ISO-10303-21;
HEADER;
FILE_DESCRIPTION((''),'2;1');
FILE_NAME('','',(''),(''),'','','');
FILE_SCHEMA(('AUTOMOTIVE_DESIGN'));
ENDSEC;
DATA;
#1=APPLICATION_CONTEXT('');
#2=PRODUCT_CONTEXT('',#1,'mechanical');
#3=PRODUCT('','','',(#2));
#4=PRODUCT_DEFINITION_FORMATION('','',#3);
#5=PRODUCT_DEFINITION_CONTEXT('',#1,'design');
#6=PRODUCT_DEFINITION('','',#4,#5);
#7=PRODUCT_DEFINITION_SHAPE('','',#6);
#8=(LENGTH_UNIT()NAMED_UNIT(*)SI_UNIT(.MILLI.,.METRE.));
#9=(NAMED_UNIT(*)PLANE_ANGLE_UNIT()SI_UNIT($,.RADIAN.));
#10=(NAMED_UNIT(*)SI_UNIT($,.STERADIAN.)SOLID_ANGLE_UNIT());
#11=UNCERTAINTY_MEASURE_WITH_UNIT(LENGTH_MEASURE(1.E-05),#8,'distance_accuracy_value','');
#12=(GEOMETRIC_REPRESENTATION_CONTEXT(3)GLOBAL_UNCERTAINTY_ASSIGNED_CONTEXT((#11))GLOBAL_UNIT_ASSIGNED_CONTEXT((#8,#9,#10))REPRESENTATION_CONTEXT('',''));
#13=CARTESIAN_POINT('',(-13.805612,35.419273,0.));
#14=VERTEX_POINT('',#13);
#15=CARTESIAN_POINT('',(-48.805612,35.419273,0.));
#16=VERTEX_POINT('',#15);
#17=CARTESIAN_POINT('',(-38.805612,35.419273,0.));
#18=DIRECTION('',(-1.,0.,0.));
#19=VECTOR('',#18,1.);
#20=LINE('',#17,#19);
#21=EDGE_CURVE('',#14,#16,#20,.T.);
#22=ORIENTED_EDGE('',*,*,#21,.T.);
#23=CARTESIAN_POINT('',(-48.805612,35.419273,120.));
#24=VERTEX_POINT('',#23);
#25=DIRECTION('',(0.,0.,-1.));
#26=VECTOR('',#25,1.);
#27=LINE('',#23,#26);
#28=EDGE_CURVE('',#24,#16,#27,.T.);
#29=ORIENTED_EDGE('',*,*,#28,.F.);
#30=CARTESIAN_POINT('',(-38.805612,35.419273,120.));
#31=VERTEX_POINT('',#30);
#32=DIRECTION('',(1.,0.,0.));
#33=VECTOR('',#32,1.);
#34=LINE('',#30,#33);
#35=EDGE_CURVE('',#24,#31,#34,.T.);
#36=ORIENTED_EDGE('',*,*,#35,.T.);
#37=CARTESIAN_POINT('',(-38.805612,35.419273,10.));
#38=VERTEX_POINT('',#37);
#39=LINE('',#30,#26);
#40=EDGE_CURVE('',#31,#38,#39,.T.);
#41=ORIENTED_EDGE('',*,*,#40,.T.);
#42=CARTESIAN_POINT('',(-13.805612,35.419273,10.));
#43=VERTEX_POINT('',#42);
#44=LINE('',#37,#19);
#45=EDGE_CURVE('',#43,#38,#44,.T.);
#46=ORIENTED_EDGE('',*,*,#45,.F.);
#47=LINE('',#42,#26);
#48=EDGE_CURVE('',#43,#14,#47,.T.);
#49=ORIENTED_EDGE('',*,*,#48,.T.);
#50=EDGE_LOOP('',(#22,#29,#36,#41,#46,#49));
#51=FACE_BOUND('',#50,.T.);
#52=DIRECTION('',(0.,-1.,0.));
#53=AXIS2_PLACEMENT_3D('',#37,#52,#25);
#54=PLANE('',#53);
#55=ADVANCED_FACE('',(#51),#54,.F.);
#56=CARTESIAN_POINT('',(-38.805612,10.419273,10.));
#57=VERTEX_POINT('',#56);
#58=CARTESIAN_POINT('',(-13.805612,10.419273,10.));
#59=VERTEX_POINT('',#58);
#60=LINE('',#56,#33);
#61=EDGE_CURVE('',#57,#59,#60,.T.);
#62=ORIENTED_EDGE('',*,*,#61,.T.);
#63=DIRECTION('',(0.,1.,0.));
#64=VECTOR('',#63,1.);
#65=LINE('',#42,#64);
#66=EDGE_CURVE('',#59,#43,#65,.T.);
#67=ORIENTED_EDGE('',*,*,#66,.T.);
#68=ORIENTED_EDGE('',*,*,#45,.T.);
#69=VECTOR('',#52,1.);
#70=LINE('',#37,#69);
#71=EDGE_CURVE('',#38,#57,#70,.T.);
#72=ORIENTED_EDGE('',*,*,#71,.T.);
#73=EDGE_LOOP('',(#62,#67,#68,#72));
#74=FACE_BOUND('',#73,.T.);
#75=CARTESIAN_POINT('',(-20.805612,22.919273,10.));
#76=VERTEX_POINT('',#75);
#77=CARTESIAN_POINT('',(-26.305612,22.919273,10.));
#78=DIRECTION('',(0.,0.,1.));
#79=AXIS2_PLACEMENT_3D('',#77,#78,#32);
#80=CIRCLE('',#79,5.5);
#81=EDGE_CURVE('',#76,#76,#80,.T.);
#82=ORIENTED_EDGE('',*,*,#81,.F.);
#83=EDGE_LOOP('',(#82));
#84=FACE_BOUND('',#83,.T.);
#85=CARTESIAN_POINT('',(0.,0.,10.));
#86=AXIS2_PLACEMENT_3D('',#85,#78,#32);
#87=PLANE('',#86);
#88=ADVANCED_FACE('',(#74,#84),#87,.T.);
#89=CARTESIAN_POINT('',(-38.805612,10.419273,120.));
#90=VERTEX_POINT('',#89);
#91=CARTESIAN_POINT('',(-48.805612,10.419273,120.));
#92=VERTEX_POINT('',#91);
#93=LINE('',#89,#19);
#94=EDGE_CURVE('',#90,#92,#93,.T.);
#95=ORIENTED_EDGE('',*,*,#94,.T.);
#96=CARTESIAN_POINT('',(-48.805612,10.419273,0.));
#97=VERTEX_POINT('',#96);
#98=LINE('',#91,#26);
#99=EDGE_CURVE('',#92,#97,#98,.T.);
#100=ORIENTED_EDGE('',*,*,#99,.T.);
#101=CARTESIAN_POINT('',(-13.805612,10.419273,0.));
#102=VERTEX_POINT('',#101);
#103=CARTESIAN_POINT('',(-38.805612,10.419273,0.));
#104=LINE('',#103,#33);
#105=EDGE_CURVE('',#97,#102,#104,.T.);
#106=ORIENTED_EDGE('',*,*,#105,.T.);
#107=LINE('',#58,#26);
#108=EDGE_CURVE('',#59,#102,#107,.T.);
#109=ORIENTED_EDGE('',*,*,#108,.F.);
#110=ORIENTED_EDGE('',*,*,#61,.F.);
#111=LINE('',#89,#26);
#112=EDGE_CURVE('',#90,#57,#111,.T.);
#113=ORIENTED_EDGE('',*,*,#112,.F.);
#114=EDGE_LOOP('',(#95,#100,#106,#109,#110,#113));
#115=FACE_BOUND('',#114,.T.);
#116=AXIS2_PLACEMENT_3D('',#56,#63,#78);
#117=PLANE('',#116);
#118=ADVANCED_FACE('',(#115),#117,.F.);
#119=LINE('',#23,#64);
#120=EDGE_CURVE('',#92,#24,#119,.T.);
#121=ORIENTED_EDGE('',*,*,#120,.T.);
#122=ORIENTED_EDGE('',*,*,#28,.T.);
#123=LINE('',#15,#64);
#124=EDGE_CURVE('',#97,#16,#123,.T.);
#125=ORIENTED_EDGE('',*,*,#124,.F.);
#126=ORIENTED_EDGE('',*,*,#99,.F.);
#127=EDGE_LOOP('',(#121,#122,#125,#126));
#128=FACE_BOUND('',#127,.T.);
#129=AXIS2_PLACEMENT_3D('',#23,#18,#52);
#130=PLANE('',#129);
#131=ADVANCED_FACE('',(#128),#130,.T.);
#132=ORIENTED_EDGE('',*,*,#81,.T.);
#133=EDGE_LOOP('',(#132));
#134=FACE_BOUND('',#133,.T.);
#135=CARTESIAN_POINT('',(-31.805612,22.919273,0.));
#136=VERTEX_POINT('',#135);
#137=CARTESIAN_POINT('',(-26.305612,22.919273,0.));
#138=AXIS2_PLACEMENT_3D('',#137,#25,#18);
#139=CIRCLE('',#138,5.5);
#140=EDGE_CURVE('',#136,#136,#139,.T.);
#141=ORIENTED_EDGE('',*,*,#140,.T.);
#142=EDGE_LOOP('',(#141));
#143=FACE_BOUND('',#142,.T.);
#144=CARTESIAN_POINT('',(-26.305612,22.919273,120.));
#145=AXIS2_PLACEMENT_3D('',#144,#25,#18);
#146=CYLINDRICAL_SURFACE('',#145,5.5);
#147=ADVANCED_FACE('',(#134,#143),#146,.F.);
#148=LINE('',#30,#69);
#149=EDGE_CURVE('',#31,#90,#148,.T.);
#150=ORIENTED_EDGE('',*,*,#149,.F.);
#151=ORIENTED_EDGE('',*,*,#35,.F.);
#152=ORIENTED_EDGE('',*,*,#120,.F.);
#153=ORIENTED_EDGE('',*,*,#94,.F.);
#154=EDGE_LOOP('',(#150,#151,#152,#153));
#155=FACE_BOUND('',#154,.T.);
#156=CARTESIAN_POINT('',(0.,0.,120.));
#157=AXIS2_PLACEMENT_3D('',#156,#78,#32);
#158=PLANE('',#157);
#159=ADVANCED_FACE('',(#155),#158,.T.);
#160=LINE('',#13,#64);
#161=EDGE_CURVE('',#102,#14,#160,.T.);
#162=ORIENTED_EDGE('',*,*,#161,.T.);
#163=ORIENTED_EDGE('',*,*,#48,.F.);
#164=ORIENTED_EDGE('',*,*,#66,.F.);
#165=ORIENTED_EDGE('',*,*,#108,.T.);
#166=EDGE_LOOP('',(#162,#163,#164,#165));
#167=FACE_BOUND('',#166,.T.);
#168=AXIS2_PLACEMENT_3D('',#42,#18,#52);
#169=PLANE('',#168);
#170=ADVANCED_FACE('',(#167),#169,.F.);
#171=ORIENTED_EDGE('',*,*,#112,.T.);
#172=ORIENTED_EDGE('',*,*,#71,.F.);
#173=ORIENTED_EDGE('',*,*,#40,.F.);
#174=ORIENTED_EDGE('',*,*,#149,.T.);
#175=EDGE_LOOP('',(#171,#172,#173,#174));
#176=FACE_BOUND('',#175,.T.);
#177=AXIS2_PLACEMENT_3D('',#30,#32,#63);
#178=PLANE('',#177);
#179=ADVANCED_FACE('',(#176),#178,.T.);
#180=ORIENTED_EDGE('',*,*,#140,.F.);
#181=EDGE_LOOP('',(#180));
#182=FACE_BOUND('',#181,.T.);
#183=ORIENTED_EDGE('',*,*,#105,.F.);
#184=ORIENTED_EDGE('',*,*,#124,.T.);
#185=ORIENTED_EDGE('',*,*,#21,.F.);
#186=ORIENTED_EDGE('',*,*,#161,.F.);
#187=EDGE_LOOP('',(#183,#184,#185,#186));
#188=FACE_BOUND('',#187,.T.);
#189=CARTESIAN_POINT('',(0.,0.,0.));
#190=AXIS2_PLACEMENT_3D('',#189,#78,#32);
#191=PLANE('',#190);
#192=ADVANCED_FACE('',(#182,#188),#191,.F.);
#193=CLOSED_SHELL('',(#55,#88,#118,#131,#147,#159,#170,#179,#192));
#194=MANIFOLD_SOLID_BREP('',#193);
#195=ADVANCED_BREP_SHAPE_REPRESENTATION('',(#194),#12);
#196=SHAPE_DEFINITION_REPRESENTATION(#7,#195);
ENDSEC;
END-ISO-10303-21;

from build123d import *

# Parameters (mm, degrees)
SKETCH_1_W          = 25
SKETCH_1_H          = 25
EXTRUDE_1_DEPTH     = 10
SKETCH_2_W          = 10
SKETCH_2_H          = 25
EXTRUDE_2_DEPTH     = 120
SKETCH_6_R          = 5.5
CUT_EXTRUDE_1_DEPTH = 121


with BuildPart() as part:
    # ｽｹｯﾁ1 → ﾎﾞｽ - 押し出し1 (new body)
    with BuildSketch(Plane.XY):
        with Locations((-26.305611861, 22.91927309)):
            Rectangle(SKETCH_1_W, SKETCH_1_H)
    extrude(amount=EXTRUDE_1_DEPTH)

    # ｽｹｯﾁ2 → ﾎﾞｽ - 押し出し2 (add)
    with BuildSketch(Plane(origin=(0, 0, 0), x_dir=(-1, 0, 0), z_dir=(0, 0, -1))):
        with Locations((43.805611861, 22.91927309)):
            Rectangle(SKETCH_2_W, SKETCH_2_H)
    extrude(amount=-EXTRUDE_2_DEPTH)

    # ｽｹｯﾁ6 → ｶｯﾄ - 押し出し1 (cut, through all)
    with BuildSketch(Plane(origin=(0, 0, 0), x_dir=(-1, 0, 0), z_dir=(0, 0, -1))):
        with Locations((26.305611861, 22.91927309)):
            Circle(SKETCH_6_R)
    extrude(amount=-CUT_EXTRUDE_1_DEPTH, mode=Mode.SUBTRACT)


solid = part.part
